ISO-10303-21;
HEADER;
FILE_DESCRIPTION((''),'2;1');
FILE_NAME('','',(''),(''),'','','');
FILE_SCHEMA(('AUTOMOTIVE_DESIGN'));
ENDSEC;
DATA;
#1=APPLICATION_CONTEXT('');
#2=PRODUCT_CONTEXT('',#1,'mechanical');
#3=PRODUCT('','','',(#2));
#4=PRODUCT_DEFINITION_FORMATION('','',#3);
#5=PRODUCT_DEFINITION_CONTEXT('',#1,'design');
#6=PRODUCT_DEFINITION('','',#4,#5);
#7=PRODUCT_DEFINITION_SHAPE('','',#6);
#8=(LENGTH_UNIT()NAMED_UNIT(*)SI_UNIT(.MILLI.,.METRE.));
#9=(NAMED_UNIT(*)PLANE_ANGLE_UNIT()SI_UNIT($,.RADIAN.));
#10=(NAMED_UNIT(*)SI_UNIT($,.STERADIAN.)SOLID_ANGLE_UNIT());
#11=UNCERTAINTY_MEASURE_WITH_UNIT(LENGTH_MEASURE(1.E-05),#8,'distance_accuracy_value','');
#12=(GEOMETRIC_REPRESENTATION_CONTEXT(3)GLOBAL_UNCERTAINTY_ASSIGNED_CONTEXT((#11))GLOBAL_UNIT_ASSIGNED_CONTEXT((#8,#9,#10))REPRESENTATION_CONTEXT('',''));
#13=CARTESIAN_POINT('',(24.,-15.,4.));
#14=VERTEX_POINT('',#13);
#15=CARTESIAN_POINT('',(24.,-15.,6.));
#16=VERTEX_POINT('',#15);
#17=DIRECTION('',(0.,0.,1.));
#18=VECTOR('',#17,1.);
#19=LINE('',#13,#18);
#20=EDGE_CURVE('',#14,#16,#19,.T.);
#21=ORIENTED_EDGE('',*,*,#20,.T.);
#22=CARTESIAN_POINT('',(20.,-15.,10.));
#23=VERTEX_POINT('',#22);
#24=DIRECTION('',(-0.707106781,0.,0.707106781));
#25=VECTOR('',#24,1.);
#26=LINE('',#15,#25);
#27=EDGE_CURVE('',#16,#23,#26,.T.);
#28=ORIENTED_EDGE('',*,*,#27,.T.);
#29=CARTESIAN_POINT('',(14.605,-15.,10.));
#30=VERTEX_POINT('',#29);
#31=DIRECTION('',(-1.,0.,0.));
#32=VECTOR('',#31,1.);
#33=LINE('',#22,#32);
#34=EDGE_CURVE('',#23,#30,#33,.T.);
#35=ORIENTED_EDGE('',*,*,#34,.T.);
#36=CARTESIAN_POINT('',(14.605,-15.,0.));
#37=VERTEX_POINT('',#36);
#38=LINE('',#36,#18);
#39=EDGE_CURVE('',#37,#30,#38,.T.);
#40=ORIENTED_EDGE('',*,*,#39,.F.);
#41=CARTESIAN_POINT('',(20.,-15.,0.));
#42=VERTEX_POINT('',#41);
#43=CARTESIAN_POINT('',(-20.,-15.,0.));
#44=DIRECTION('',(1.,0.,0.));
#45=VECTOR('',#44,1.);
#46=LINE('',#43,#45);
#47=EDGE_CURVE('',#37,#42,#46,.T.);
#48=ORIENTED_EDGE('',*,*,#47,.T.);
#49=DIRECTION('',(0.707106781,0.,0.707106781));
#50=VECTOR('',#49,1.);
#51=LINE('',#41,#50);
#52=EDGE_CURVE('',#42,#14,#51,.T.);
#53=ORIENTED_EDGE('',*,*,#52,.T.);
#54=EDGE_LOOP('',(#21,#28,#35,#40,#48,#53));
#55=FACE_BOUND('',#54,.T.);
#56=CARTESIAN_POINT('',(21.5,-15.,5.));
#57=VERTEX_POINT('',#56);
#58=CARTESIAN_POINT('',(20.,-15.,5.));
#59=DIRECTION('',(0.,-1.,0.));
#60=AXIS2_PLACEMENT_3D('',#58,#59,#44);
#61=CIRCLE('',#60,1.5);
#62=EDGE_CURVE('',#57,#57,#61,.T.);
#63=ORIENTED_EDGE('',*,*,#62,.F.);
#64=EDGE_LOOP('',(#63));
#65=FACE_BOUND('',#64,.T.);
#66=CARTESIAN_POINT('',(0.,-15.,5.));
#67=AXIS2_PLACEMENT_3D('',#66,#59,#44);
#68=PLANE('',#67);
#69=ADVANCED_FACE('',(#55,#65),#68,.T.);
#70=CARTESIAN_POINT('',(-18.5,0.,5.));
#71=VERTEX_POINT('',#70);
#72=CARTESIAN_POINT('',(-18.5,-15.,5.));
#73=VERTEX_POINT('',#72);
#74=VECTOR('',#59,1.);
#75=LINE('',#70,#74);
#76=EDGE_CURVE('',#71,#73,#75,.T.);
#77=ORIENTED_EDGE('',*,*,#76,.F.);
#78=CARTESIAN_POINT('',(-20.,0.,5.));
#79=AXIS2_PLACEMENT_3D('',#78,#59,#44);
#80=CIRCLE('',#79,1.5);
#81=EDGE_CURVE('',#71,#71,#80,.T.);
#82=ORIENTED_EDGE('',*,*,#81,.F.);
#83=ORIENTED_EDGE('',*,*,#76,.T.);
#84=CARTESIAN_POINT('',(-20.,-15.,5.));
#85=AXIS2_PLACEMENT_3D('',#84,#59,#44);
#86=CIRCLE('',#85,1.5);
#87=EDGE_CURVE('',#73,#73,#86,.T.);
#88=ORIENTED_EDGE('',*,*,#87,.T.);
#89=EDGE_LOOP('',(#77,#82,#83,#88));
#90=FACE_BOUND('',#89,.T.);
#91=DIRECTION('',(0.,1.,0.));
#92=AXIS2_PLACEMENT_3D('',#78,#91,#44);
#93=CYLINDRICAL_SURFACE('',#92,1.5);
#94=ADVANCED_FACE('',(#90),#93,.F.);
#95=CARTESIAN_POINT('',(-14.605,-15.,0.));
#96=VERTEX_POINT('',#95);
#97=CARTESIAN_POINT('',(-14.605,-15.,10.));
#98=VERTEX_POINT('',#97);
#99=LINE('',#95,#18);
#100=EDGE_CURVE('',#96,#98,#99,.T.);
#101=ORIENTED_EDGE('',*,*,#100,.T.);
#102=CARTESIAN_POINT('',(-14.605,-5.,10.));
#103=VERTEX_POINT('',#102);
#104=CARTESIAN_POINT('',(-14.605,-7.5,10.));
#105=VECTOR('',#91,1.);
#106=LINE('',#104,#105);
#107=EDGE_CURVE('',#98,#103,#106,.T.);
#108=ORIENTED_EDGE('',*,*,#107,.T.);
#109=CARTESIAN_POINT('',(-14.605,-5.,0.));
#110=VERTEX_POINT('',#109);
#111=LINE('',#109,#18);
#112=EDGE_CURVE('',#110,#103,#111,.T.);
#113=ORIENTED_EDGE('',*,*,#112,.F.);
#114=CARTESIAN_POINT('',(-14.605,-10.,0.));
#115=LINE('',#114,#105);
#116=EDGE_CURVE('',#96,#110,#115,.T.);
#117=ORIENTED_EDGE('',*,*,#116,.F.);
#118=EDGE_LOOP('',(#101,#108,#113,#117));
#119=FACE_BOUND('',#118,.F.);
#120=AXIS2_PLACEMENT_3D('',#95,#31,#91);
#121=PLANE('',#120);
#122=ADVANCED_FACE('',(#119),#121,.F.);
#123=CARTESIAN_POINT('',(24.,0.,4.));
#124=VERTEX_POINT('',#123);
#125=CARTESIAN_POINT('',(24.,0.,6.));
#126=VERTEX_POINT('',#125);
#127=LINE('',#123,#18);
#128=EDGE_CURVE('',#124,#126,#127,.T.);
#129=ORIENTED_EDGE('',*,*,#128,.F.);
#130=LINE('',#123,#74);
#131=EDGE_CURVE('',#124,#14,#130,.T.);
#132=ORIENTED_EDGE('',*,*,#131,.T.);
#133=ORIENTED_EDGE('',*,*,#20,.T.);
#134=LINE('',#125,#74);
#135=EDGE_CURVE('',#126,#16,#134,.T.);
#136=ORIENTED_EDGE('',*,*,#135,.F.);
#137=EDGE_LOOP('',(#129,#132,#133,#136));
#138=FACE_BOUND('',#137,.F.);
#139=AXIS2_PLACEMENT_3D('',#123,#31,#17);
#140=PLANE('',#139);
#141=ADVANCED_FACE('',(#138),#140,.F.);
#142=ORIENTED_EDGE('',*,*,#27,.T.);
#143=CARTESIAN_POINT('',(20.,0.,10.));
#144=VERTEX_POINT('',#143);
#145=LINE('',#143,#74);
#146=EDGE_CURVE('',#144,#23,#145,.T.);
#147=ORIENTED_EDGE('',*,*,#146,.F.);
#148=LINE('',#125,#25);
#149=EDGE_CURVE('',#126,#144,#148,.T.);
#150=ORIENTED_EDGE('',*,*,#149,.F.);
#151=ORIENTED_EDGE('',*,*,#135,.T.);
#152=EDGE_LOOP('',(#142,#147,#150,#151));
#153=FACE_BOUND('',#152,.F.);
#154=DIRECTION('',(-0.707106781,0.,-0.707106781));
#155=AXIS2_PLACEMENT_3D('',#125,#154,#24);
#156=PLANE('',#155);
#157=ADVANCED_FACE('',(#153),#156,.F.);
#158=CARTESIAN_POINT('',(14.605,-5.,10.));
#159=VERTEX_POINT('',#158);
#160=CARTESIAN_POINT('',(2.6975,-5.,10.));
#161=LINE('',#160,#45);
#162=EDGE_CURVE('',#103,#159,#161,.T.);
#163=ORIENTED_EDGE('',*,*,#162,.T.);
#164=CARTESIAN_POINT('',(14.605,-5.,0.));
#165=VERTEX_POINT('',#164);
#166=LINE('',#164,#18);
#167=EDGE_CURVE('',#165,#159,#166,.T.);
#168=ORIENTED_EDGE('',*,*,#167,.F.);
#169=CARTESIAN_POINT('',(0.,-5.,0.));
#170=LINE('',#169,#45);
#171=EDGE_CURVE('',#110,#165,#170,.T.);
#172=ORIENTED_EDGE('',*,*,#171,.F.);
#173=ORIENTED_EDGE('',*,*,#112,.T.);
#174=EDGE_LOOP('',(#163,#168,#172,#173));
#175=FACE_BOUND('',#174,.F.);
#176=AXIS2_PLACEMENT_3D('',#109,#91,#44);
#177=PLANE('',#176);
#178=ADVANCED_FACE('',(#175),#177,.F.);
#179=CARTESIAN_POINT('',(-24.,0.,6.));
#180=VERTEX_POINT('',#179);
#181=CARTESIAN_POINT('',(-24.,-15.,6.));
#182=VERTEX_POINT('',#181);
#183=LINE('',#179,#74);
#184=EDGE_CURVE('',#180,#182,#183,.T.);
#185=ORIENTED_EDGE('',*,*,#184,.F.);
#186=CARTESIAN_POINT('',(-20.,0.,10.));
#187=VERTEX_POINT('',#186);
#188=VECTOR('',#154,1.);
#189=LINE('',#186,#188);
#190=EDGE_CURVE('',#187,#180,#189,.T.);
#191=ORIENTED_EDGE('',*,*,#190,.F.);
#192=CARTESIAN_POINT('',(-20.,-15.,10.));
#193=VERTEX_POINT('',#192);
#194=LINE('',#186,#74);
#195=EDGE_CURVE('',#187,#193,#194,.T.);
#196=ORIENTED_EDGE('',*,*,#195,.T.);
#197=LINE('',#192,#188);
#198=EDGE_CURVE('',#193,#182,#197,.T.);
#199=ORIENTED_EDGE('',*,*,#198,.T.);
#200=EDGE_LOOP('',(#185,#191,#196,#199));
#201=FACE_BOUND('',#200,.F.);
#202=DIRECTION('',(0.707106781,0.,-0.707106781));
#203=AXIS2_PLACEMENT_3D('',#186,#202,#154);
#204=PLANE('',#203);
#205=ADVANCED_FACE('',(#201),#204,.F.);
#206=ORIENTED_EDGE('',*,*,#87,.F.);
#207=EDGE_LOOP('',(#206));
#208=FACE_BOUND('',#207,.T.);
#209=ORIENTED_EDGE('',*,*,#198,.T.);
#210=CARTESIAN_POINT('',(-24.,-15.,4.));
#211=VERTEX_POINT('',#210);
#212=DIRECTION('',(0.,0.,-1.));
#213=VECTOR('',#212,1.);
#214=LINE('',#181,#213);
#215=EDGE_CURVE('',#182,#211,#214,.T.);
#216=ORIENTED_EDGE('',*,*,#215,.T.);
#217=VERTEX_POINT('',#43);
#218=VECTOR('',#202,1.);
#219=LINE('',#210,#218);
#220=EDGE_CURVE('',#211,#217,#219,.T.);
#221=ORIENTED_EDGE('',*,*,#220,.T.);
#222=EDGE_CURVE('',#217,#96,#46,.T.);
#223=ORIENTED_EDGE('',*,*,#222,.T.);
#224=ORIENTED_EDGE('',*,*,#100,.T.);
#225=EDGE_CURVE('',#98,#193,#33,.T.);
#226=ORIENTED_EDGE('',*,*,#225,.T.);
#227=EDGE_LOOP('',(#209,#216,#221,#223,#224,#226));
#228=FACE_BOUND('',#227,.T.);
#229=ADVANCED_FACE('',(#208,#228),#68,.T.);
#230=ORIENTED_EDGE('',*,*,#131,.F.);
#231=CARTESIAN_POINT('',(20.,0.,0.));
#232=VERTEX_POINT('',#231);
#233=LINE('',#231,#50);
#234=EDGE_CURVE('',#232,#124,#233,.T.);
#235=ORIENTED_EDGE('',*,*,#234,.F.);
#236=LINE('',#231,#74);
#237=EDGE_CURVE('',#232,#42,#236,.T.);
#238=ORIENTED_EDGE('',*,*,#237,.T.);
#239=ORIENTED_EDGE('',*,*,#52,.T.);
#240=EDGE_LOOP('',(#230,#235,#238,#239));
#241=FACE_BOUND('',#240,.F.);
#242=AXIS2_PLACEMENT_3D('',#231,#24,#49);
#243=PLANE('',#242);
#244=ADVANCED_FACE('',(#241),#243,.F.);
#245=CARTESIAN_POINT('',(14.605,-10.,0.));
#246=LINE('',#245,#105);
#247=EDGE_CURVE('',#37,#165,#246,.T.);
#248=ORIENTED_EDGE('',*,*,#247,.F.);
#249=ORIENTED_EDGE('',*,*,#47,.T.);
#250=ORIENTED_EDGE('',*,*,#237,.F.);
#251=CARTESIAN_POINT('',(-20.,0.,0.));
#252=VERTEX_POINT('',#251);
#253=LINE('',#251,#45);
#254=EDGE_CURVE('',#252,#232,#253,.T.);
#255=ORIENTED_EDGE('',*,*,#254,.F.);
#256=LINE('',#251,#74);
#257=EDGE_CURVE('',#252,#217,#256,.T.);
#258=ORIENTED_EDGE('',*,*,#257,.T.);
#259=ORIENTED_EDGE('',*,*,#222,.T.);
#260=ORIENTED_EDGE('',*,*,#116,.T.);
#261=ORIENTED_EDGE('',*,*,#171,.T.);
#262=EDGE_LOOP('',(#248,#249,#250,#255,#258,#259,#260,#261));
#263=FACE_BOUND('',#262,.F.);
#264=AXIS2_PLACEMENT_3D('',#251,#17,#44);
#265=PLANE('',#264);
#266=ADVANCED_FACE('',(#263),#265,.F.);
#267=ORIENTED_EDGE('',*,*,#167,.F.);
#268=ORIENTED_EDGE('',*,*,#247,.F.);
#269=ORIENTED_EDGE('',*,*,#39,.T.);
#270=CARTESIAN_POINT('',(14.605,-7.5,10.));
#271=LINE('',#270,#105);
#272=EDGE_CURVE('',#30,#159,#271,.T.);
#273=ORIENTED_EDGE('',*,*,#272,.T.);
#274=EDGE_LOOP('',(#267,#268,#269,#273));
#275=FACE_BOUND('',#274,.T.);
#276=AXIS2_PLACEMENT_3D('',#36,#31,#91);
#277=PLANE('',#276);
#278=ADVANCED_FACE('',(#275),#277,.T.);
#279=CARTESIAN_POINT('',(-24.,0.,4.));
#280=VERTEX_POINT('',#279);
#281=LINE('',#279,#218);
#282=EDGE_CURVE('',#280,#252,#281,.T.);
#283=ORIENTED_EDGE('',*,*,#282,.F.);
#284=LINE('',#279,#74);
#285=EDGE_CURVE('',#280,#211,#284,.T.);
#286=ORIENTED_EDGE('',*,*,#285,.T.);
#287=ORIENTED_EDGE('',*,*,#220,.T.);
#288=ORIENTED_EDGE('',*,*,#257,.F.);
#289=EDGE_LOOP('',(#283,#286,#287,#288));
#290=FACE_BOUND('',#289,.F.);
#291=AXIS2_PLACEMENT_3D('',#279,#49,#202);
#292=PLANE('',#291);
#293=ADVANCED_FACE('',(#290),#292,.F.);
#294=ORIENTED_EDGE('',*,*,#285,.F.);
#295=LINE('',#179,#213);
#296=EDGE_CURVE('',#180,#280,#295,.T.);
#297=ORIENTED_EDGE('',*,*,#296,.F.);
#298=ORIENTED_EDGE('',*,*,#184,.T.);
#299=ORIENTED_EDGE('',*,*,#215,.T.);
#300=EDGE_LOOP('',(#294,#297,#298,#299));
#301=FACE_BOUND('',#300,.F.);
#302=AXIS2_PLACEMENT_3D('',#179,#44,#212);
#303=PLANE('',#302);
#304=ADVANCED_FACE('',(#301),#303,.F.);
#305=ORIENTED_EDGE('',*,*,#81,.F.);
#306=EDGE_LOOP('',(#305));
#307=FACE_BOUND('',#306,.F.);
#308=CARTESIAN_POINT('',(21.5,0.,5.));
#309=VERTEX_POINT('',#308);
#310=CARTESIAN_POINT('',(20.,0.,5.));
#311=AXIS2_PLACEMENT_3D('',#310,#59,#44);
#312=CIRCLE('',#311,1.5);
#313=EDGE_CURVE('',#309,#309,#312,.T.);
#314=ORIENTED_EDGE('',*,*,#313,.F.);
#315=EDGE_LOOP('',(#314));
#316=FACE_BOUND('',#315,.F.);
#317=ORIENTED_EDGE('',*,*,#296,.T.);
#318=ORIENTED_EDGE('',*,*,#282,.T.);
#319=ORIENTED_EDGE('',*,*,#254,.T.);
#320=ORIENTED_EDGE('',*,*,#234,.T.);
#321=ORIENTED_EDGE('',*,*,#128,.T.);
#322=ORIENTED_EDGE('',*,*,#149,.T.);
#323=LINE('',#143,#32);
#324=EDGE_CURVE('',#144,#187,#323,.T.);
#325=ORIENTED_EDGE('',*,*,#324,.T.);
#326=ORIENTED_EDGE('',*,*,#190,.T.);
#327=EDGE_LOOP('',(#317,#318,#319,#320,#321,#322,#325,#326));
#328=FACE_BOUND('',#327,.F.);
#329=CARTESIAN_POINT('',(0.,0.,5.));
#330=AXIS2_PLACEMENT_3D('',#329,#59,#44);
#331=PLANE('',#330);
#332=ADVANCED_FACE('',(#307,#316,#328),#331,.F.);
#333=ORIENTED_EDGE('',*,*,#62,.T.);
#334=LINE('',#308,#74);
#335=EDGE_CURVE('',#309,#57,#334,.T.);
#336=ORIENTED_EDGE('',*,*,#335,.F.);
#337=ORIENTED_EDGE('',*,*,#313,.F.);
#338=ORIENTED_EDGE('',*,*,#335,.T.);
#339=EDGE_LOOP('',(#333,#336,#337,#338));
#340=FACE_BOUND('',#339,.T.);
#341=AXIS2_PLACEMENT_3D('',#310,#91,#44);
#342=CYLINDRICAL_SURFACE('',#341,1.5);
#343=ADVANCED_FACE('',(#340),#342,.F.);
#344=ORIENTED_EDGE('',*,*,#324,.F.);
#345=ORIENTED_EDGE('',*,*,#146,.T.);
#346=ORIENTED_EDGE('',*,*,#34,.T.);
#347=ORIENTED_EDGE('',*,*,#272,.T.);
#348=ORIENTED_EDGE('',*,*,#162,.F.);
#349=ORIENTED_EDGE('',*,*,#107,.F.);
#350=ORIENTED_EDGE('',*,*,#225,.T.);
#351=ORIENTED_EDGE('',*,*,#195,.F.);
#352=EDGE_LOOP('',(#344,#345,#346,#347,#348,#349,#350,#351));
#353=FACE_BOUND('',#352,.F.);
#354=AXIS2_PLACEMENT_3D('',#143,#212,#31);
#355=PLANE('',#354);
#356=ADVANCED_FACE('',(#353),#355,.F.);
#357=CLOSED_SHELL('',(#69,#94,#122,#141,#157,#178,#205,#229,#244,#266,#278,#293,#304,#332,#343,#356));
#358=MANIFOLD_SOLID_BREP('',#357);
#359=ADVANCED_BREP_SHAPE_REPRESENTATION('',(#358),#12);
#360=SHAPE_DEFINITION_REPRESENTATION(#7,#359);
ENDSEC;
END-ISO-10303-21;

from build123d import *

# Parameters (mm, degrees)
F0_R     = 1.5
F1_DEPTH = 15
F2_W     = 29.21
F2_H     = 10
F3_DEPTH = 10.001


with BuildPart() as f1:
    # F0 (on Front) → F1 (new body)
    with BuildSketch(Plane.XZ):
        Polygon((0, 0), (20, 0), (24, 4), (24, 6), (20, 10), (0, 10), (-20, 10), (-24, 6), (-24, 4), (-20, 0), align=None)
        with Locations((-20, 5)):
            Circle(F0_R, mode=Mode.SUBTRACT)
        with Locations((20, 5)):
            Circle(F0_R, mode=Mode.SUBTRACT)
    extrude(amount=F1_DEPTH)

    # F2 (on Top) → F3 (cut, through all)
    with BuildSketch(Plane.XY):
        with Locations((0, -10)):
            Rectangle(F2_W, F2_H)
    extrude(amount=F3_DEPTH, mode=Mode.SUBTRACT)


solid = f1.part
